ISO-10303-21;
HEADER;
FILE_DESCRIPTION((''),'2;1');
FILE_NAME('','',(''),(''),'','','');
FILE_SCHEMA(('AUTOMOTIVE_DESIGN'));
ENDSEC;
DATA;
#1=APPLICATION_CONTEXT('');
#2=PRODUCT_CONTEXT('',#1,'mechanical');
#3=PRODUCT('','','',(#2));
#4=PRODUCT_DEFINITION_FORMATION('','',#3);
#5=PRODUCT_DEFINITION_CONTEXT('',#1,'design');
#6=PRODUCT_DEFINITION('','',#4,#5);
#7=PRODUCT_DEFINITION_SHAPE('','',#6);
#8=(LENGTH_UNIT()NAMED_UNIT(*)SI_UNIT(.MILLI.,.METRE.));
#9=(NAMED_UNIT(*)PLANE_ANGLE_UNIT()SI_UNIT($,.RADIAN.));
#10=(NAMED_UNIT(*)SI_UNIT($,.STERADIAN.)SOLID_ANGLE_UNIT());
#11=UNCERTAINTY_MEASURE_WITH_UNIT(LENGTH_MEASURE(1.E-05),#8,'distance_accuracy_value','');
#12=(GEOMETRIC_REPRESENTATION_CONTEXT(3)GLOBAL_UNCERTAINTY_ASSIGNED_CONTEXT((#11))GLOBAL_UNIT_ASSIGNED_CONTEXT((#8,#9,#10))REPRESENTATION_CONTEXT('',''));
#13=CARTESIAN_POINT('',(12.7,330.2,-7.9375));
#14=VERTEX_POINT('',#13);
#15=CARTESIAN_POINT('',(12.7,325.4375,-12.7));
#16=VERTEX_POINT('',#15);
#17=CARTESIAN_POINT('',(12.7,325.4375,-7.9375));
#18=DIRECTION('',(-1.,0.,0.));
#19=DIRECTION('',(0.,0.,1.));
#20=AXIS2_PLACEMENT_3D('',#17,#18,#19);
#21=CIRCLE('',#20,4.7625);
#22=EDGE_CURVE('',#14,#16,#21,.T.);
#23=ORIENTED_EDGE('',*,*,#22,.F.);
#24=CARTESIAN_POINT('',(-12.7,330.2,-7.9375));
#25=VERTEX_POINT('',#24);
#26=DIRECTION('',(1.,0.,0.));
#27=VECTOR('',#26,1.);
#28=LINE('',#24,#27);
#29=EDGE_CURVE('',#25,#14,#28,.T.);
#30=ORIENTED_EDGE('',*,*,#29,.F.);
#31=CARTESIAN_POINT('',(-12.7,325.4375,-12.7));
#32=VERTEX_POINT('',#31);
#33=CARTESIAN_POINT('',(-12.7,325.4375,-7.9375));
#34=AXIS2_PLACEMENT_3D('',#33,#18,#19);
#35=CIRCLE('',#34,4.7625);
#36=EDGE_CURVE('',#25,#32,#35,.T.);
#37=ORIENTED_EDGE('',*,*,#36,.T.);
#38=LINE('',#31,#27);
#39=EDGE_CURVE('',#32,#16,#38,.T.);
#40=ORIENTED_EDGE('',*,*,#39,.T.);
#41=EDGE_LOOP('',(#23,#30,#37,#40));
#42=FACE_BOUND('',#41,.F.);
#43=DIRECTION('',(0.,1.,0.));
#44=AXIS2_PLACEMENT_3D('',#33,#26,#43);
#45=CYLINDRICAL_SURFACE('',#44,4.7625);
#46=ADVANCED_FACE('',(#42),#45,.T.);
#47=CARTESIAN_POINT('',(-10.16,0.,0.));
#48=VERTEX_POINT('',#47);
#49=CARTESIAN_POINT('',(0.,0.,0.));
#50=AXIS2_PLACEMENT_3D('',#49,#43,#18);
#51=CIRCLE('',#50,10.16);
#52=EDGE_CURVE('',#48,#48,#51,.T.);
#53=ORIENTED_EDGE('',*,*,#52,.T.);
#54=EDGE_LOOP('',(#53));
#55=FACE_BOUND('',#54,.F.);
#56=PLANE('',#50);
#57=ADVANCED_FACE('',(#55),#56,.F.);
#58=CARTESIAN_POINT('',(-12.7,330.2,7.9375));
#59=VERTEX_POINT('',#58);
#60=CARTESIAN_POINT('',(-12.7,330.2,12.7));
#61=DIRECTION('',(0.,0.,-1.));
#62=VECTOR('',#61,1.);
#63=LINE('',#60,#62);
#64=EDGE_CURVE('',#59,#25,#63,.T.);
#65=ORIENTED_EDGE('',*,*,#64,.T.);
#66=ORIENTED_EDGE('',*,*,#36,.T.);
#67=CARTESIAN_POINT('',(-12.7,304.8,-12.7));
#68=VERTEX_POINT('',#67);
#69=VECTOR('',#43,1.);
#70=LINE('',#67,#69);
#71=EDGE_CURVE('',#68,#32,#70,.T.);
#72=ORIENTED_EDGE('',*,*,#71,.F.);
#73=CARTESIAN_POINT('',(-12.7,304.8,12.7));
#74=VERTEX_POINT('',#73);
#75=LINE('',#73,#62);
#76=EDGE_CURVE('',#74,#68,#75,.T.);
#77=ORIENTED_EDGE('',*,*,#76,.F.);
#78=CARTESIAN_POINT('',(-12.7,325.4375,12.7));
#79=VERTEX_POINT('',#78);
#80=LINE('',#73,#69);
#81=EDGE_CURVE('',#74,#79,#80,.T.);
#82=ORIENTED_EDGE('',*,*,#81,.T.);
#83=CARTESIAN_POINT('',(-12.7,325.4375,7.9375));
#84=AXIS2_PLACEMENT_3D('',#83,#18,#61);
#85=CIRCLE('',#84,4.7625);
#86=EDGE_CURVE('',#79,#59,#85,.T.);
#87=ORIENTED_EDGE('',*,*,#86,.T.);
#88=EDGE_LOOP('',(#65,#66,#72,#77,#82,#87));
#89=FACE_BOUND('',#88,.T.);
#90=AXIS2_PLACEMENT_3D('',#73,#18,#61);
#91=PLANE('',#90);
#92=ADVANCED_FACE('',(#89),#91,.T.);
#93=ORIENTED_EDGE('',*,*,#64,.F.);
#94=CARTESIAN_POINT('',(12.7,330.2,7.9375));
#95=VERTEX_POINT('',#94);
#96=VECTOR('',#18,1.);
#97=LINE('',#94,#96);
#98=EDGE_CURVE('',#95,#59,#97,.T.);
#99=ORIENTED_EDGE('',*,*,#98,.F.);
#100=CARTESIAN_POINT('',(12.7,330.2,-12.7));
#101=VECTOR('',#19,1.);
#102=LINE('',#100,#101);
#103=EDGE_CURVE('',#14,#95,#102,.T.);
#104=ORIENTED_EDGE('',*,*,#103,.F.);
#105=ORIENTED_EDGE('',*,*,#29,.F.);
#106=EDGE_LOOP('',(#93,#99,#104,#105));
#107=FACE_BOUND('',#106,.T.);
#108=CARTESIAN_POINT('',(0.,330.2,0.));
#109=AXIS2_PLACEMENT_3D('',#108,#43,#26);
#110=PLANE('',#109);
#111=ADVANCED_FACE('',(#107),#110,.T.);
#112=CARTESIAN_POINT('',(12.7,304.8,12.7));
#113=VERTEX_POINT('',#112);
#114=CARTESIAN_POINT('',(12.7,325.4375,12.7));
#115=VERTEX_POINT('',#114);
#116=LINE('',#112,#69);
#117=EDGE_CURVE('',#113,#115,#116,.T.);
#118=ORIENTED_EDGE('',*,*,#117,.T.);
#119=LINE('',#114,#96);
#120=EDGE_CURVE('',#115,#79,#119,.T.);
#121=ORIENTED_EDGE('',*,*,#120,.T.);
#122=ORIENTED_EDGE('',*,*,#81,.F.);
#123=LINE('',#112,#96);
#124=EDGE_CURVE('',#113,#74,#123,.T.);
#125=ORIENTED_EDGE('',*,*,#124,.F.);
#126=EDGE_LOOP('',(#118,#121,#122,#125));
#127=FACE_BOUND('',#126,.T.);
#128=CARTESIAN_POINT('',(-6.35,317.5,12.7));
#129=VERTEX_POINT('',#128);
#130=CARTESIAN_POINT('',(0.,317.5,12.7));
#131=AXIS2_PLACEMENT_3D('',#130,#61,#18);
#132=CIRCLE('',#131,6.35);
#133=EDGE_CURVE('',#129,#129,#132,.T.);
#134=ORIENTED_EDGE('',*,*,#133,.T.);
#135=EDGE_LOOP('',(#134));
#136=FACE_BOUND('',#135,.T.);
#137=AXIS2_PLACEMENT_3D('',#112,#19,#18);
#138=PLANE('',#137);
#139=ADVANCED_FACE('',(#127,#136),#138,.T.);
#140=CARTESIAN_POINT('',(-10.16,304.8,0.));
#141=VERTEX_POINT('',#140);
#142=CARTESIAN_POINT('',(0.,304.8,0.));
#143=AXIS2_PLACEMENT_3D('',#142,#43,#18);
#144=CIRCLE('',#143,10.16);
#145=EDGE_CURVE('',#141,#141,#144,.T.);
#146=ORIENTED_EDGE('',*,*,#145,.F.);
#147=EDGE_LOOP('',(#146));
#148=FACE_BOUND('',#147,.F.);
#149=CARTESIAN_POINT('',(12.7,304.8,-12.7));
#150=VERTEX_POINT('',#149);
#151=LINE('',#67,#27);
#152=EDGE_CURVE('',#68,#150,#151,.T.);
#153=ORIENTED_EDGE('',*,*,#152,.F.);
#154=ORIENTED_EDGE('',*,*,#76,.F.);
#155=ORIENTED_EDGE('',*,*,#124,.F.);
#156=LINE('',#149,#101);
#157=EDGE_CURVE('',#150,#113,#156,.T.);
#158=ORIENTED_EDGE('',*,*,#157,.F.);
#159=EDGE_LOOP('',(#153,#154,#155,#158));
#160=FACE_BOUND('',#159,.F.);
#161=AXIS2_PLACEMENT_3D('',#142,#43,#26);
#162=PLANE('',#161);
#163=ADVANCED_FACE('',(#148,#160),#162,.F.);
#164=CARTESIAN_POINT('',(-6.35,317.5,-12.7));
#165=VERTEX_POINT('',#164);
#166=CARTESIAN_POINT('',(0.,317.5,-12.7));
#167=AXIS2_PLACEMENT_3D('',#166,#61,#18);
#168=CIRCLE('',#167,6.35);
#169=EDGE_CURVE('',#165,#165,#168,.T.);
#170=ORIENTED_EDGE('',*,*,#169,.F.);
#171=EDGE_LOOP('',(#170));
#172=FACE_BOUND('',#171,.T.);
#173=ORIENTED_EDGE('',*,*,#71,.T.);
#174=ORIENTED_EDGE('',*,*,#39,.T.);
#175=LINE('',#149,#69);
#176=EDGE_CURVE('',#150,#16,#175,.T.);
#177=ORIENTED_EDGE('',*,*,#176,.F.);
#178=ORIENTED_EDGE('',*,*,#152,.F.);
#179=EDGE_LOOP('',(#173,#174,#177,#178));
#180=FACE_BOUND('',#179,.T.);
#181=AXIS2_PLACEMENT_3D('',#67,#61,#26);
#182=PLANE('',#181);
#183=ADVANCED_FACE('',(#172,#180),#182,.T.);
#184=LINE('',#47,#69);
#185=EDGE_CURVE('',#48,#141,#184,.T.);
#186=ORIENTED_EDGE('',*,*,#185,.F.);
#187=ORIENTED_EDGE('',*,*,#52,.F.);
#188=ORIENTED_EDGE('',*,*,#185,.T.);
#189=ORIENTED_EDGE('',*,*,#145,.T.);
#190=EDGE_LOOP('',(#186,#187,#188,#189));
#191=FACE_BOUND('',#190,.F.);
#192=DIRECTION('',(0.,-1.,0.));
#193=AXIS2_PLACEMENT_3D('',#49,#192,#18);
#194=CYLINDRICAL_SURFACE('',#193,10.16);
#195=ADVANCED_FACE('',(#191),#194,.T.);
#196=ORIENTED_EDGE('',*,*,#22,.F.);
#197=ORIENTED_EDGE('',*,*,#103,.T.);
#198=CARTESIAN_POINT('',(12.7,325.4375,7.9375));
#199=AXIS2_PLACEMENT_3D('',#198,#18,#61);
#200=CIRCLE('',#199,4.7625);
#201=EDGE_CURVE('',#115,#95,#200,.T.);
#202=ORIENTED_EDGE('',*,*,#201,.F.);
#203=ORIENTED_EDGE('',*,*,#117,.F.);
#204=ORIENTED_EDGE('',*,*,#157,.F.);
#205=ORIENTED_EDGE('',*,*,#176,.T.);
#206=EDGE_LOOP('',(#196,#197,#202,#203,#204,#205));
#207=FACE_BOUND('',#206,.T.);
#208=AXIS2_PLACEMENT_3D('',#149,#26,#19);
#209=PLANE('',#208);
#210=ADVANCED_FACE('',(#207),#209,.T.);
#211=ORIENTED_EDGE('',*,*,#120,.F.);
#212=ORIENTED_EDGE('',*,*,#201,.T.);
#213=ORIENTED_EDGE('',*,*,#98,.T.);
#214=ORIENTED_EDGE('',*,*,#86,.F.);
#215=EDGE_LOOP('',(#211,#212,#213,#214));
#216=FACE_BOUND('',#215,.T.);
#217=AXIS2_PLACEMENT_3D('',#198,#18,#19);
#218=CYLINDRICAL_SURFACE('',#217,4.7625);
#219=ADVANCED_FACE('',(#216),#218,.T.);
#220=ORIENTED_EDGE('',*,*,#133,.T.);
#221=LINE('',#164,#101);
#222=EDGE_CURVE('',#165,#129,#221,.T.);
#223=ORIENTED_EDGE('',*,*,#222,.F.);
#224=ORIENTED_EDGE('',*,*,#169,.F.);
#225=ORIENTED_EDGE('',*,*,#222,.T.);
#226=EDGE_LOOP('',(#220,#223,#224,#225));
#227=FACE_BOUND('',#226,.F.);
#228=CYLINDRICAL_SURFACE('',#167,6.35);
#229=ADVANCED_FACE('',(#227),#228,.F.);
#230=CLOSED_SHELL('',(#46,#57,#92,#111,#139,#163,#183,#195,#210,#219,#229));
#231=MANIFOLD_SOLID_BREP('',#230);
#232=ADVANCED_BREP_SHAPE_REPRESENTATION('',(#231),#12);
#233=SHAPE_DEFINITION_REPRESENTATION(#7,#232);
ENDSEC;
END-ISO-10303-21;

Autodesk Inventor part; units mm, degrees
ref_plane "YZ Plane" through (0, 0, 0) normal (1, 0, 0) x (0, 1, 0)
ref_plane "XZ Plane" through (0, 0, 0) normal (0, 1, 0) x (-1, 0, 0)
ref_plane "XY Plane" through (0, 0, 0) normal (0, 0, 1) x (1, 0, 0)
sketch "Sketch1" plane through (0, 0, 0) normal (0, 1, 0) x (-1, 0, 0)
  circle A0 centre (0, 0) radius 10.16
  dimension "d0" = 20.32
extrude "Extrusion1" add sketch "Sketch1" along normal blind 304.8
sketch "Sketch2" plane through (0, 304.8, 0) normal (0, 1, 0) x (1, 0, 0)
  line L0 (12.7, -12.7) -> (-12.7, -12.7)
  line L1 (-12.7, -12.7) -> (-12.7, 12.7)
  line L2 (-12.7, 12.7) -> (12.7, 12.7)
  line L3 (12.7, 12.7) -> (12.7, -12.7)
  point P0 (0, 0)
  point P1 (0, 0)
  dimension "d3" = 25.4
  dimension "d4" = 25.4
extrude "Extrusion2" add sketch "Sketch2" along normal blind 25.4
sketch "Sketch3" plane through (12.7, 304.8, -12.7) normal (0, 0, -1) x (-1, 0, 0)
  line L0 (25.4, 0) -> (25.4, 25.4) projected
  line L1 (0, 0) -> (0, 25.4) projected
  circle A0 centre (12.7, 12.7) radius 6.35
  point P0 (12.7, -304.8)
  dimension "d7" = 12.7
extrude "Extrusion3" cut sketch "Sketch3" against normal blind 33.3375
fillet "Fillet1" radius 4.7625 2 edges at (0, 330.2, -12.7) (0, 330.2, 12.7)
properties part number "CylinderRod"
